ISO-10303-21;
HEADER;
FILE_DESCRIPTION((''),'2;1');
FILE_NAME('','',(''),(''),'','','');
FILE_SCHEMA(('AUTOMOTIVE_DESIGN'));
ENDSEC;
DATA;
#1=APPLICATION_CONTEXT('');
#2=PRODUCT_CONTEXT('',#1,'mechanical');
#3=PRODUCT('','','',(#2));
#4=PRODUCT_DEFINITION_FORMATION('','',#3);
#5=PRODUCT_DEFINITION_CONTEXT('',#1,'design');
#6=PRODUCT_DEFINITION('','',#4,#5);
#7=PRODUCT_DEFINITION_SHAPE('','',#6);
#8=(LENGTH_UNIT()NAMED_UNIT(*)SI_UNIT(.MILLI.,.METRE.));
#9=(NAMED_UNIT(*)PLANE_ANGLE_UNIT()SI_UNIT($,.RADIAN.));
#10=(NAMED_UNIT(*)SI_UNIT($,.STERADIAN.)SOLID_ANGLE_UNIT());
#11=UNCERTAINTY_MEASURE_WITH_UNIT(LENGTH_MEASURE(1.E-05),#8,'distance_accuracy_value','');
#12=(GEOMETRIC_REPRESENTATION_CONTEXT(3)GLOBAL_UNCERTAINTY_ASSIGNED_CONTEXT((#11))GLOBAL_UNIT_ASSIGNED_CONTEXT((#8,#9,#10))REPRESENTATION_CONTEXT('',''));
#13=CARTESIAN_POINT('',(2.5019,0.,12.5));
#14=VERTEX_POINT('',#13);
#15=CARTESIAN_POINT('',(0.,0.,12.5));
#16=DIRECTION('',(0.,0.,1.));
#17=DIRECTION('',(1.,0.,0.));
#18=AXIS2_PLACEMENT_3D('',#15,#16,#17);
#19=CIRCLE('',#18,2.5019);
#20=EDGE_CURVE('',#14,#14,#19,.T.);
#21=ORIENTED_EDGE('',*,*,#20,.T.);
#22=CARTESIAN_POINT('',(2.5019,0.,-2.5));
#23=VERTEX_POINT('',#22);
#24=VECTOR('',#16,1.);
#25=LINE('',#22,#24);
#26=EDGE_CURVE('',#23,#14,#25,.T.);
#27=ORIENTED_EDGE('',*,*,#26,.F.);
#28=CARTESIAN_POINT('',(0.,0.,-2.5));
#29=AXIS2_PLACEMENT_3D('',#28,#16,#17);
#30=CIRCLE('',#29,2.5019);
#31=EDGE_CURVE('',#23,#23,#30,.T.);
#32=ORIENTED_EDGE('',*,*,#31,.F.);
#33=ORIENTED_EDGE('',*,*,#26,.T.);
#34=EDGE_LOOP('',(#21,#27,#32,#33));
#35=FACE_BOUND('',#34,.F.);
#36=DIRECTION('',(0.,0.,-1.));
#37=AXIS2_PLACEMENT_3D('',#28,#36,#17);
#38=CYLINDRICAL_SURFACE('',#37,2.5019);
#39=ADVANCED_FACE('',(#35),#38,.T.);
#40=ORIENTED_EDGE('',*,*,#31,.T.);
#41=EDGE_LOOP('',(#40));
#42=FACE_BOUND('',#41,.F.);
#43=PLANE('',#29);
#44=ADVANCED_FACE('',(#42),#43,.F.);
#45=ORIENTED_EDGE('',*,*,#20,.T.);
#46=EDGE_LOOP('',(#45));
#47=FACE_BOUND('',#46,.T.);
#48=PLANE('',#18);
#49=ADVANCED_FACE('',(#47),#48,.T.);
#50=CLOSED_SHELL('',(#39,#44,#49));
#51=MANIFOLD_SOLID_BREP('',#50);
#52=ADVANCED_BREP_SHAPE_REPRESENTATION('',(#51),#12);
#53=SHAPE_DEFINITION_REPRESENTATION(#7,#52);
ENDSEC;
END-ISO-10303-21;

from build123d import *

# Parameters (mm, degrees)
CYLINDER_R     = 2.5019
CYLINDER_DEPTH = 15


with BuildPart() as part:
    # Cylinder → Cylinder (new body)
    with BuildSketch(Plane.XY.offset(-2.5)):
        Circle(CYLINDER_R)
    extrude(amount=CYLINDER_DEPTH)


solid = part.part
